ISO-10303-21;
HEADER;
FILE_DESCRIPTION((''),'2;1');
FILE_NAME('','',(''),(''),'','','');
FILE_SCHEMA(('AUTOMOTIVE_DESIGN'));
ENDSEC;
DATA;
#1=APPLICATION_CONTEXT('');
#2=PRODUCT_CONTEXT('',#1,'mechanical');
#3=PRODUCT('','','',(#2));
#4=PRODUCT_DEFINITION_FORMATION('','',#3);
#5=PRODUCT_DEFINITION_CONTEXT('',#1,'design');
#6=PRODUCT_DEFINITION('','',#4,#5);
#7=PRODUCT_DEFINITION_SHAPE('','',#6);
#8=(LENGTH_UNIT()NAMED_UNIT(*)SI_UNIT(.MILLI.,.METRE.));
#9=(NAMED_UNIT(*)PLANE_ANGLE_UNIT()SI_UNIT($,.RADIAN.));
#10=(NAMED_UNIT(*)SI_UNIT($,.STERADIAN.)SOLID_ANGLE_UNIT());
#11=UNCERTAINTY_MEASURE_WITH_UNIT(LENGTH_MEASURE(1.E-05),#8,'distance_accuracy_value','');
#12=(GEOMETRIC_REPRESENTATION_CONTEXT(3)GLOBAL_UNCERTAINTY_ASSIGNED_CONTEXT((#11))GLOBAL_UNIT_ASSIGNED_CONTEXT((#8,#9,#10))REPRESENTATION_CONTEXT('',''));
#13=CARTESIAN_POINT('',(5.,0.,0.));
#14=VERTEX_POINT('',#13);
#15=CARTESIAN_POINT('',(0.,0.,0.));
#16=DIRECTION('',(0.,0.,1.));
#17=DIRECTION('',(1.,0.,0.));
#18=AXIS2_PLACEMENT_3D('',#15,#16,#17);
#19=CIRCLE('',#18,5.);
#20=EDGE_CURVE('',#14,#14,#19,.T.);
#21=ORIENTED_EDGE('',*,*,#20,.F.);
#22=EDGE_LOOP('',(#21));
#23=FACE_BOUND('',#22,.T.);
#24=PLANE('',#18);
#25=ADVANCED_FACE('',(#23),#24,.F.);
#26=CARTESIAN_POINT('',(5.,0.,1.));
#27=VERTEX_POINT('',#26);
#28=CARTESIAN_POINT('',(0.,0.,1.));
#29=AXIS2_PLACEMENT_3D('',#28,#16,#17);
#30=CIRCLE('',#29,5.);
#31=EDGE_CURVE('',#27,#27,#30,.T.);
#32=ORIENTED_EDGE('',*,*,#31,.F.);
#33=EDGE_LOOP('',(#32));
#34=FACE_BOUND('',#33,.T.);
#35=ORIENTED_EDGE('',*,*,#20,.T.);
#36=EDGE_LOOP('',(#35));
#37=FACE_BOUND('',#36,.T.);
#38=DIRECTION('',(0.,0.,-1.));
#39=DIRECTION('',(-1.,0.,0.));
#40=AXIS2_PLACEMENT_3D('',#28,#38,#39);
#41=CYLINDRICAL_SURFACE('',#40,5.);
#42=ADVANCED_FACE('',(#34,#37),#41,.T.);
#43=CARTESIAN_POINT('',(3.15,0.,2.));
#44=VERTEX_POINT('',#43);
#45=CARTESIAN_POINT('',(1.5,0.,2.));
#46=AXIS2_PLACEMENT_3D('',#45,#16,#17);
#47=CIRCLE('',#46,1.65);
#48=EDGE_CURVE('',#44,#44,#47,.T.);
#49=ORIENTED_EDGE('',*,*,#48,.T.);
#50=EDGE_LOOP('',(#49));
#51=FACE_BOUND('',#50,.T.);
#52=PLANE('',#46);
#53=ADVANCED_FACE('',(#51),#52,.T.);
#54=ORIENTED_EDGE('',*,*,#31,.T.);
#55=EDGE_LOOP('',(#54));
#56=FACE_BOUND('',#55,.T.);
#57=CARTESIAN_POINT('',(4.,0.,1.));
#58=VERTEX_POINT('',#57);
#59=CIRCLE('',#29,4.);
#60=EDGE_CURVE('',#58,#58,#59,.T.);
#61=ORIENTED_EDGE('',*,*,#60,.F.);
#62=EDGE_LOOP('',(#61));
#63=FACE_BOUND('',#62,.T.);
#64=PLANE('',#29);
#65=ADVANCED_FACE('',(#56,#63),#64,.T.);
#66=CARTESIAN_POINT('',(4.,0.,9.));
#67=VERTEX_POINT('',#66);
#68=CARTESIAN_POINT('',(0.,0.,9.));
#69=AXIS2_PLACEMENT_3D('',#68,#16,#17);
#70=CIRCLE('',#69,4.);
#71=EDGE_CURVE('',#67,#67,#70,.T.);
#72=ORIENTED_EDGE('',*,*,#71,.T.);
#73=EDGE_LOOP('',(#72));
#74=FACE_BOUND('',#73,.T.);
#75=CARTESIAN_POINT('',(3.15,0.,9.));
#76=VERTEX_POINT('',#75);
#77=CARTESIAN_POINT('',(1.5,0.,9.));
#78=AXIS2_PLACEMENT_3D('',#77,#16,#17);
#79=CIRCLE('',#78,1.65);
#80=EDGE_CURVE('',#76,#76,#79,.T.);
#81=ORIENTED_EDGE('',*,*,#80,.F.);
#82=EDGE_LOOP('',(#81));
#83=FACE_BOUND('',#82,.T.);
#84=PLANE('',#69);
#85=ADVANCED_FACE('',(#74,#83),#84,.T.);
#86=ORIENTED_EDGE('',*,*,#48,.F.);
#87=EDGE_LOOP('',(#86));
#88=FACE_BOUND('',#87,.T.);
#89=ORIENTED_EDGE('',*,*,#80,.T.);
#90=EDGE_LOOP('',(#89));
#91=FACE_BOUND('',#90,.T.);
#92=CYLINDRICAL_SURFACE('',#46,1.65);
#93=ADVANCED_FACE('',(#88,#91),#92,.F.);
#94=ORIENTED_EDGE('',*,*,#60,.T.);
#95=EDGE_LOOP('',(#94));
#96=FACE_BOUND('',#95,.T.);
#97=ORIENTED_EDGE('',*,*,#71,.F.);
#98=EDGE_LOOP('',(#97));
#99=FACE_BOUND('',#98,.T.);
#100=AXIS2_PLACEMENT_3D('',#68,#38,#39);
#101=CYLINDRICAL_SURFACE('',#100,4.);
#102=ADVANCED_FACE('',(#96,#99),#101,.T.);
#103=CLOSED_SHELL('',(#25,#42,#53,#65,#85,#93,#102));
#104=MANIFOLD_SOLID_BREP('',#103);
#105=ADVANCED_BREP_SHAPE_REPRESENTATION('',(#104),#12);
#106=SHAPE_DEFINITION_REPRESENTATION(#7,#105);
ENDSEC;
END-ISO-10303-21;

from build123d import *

# Parameters (mm, degrees)
ESQUISSE1_R             = 5
BOSS_EXTRU_1_DEPTH      = 1
ESQUISSE2_R             = 4
BOSS_EXTRU_2_DEPTH      = 8
ESQUISSE3_R             = 1.65
ENL_V_MAT_EXTRU_1_DEPTH = 7


with BuildPart() as part:
    # Esquisse1 → Boss.-Extru.1 (new body)
    with BuildSketch(Plane.XY):
        Circle(ESQUISSE1_R)
    extrude(amount=BOSS_EXTRU_1_DEPTH)

    # Esquisse2 → Boss.-Extru.2 (add)
    with BuildSketch(Plane.XY.offset(1)):
        Circle(ESQUISSE2_R)
    extrude(amount=BOSS_EXTRU_2_DEPTH)

    # Esquisse3 → Enlèv. mat.-Extru.1 (cut)
    with BuildSketch(Plane.XY.offset(9)):
        with Locations((1.5, 0)):
            Circle(ESQUISSE3_R)
    extrude(amount=-ENL_V_MAT_EXTRU_1_DEPTH, mode=Mode.SUBTRACT)


solid = part.part
